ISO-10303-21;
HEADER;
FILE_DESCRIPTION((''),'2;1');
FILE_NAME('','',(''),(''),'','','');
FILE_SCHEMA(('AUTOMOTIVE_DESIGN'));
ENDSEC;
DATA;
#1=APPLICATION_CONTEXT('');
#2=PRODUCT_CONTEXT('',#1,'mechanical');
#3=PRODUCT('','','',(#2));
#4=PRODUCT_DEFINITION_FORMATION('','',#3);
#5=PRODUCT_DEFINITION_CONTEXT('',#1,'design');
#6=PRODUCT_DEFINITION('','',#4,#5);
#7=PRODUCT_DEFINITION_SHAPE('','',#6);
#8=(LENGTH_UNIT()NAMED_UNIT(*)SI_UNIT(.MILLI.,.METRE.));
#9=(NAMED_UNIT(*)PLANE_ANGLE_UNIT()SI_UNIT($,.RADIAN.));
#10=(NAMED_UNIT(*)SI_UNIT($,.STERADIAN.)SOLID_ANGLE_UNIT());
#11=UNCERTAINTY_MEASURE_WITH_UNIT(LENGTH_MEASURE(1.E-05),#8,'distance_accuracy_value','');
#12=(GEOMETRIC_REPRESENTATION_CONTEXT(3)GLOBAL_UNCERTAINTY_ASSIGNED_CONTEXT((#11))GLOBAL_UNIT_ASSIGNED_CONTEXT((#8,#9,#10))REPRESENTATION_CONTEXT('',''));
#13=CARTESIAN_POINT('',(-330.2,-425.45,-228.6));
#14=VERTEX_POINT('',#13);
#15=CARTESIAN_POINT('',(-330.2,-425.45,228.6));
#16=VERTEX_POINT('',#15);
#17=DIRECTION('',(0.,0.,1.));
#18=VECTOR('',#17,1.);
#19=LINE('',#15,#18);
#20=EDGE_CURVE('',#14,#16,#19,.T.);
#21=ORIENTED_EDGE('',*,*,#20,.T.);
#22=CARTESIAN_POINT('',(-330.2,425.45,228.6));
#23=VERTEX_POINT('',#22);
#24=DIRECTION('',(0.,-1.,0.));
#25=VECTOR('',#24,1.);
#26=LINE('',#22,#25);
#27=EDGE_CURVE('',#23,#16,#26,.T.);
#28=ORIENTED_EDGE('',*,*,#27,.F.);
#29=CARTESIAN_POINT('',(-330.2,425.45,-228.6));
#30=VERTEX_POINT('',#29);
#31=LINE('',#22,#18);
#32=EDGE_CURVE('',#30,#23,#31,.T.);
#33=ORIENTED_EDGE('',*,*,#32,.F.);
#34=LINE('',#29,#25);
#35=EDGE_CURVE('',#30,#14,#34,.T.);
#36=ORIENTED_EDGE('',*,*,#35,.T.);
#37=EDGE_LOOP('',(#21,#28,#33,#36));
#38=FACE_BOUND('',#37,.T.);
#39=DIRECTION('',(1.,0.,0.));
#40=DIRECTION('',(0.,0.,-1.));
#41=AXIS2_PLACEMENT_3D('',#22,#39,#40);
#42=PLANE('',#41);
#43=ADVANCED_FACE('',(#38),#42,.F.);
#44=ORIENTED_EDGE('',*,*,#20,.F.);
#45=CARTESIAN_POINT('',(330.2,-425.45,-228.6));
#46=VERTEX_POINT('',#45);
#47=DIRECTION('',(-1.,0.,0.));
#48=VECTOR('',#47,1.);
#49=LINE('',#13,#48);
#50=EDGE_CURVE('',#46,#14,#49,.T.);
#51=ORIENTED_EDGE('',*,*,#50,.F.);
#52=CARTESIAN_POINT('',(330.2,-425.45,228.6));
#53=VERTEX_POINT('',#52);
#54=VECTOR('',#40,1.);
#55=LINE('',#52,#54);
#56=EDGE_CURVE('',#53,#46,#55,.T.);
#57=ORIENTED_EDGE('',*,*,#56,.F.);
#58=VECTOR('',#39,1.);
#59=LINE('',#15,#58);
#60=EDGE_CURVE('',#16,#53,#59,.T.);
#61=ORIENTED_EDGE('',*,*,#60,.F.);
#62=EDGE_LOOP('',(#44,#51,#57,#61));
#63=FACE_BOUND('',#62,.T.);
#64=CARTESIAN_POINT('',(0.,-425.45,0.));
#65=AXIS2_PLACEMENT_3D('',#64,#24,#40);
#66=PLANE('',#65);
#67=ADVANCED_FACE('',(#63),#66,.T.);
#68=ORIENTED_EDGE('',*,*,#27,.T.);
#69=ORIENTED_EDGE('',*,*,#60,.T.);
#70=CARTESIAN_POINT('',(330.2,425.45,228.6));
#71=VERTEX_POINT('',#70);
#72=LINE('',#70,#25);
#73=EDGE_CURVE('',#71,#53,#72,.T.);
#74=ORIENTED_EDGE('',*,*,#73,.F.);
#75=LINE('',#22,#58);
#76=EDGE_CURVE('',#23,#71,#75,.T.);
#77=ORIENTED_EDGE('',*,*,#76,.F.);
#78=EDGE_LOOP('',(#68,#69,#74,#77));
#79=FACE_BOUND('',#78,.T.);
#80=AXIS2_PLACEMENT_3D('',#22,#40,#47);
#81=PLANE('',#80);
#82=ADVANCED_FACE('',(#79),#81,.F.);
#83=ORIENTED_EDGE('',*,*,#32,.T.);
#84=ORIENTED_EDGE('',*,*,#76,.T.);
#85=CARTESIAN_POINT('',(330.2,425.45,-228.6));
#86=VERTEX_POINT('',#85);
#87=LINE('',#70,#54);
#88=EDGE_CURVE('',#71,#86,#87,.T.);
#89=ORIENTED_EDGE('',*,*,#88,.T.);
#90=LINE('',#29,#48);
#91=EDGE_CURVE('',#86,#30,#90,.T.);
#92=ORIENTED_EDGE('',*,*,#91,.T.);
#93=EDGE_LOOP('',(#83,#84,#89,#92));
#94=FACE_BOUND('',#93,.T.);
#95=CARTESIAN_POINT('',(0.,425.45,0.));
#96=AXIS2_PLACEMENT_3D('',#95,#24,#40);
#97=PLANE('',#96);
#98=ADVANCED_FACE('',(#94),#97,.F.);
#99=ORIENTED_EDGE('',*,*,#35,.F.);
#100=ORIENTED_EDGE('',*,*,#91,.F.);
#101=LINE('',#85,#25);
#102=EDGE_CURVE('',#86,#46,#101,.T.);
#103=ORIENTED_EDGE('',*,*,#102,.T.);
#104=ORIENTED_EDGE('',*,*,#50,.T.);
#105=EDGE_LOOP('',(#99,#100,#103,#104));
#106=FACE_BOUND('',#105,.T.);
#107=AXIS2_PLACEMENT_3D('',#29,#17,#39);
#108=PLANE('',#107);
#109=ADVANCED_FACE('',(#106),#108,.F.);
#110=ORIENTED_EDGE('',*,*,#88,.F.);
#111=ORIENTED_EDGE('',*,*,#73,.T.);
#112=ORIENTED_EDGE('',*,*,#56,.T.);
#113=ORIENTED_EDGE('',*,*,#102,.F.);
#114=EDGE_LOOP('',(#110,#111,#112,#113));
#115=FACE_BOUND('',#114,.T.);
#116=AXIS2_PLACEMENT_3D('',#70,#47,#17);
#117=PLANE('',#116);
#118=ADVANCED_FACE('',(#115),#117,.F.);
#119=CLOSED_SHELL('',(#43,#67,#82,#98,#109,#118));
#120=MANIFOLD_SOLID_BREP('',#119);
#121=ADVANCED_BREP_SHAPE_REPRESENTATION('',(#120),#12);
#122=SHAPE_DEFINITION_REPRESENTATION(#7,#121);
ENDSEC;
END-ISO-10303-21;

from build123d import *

# Parameters (mm, degrees)
SKETCH1_W           = 660.4
SKETCH1_H           = 457.2
BOSS_EXTRUDE1_DEPTH = 425.45


with BuildPart() as part:
    # Sketch1 → Boss-Extrude1 (new body, symmetric)
    with BuildSketch(Plane(origin=(0, 0, 0), x_dir=(1, 0, 0), z_dir=(0, 1, 0))):
        Rectangle(SKETCH1_W, SKETCH1_H)
    extrude(amount=BOSS_EXTRUDE1_DEPTH, both=True)


solid = part.part
